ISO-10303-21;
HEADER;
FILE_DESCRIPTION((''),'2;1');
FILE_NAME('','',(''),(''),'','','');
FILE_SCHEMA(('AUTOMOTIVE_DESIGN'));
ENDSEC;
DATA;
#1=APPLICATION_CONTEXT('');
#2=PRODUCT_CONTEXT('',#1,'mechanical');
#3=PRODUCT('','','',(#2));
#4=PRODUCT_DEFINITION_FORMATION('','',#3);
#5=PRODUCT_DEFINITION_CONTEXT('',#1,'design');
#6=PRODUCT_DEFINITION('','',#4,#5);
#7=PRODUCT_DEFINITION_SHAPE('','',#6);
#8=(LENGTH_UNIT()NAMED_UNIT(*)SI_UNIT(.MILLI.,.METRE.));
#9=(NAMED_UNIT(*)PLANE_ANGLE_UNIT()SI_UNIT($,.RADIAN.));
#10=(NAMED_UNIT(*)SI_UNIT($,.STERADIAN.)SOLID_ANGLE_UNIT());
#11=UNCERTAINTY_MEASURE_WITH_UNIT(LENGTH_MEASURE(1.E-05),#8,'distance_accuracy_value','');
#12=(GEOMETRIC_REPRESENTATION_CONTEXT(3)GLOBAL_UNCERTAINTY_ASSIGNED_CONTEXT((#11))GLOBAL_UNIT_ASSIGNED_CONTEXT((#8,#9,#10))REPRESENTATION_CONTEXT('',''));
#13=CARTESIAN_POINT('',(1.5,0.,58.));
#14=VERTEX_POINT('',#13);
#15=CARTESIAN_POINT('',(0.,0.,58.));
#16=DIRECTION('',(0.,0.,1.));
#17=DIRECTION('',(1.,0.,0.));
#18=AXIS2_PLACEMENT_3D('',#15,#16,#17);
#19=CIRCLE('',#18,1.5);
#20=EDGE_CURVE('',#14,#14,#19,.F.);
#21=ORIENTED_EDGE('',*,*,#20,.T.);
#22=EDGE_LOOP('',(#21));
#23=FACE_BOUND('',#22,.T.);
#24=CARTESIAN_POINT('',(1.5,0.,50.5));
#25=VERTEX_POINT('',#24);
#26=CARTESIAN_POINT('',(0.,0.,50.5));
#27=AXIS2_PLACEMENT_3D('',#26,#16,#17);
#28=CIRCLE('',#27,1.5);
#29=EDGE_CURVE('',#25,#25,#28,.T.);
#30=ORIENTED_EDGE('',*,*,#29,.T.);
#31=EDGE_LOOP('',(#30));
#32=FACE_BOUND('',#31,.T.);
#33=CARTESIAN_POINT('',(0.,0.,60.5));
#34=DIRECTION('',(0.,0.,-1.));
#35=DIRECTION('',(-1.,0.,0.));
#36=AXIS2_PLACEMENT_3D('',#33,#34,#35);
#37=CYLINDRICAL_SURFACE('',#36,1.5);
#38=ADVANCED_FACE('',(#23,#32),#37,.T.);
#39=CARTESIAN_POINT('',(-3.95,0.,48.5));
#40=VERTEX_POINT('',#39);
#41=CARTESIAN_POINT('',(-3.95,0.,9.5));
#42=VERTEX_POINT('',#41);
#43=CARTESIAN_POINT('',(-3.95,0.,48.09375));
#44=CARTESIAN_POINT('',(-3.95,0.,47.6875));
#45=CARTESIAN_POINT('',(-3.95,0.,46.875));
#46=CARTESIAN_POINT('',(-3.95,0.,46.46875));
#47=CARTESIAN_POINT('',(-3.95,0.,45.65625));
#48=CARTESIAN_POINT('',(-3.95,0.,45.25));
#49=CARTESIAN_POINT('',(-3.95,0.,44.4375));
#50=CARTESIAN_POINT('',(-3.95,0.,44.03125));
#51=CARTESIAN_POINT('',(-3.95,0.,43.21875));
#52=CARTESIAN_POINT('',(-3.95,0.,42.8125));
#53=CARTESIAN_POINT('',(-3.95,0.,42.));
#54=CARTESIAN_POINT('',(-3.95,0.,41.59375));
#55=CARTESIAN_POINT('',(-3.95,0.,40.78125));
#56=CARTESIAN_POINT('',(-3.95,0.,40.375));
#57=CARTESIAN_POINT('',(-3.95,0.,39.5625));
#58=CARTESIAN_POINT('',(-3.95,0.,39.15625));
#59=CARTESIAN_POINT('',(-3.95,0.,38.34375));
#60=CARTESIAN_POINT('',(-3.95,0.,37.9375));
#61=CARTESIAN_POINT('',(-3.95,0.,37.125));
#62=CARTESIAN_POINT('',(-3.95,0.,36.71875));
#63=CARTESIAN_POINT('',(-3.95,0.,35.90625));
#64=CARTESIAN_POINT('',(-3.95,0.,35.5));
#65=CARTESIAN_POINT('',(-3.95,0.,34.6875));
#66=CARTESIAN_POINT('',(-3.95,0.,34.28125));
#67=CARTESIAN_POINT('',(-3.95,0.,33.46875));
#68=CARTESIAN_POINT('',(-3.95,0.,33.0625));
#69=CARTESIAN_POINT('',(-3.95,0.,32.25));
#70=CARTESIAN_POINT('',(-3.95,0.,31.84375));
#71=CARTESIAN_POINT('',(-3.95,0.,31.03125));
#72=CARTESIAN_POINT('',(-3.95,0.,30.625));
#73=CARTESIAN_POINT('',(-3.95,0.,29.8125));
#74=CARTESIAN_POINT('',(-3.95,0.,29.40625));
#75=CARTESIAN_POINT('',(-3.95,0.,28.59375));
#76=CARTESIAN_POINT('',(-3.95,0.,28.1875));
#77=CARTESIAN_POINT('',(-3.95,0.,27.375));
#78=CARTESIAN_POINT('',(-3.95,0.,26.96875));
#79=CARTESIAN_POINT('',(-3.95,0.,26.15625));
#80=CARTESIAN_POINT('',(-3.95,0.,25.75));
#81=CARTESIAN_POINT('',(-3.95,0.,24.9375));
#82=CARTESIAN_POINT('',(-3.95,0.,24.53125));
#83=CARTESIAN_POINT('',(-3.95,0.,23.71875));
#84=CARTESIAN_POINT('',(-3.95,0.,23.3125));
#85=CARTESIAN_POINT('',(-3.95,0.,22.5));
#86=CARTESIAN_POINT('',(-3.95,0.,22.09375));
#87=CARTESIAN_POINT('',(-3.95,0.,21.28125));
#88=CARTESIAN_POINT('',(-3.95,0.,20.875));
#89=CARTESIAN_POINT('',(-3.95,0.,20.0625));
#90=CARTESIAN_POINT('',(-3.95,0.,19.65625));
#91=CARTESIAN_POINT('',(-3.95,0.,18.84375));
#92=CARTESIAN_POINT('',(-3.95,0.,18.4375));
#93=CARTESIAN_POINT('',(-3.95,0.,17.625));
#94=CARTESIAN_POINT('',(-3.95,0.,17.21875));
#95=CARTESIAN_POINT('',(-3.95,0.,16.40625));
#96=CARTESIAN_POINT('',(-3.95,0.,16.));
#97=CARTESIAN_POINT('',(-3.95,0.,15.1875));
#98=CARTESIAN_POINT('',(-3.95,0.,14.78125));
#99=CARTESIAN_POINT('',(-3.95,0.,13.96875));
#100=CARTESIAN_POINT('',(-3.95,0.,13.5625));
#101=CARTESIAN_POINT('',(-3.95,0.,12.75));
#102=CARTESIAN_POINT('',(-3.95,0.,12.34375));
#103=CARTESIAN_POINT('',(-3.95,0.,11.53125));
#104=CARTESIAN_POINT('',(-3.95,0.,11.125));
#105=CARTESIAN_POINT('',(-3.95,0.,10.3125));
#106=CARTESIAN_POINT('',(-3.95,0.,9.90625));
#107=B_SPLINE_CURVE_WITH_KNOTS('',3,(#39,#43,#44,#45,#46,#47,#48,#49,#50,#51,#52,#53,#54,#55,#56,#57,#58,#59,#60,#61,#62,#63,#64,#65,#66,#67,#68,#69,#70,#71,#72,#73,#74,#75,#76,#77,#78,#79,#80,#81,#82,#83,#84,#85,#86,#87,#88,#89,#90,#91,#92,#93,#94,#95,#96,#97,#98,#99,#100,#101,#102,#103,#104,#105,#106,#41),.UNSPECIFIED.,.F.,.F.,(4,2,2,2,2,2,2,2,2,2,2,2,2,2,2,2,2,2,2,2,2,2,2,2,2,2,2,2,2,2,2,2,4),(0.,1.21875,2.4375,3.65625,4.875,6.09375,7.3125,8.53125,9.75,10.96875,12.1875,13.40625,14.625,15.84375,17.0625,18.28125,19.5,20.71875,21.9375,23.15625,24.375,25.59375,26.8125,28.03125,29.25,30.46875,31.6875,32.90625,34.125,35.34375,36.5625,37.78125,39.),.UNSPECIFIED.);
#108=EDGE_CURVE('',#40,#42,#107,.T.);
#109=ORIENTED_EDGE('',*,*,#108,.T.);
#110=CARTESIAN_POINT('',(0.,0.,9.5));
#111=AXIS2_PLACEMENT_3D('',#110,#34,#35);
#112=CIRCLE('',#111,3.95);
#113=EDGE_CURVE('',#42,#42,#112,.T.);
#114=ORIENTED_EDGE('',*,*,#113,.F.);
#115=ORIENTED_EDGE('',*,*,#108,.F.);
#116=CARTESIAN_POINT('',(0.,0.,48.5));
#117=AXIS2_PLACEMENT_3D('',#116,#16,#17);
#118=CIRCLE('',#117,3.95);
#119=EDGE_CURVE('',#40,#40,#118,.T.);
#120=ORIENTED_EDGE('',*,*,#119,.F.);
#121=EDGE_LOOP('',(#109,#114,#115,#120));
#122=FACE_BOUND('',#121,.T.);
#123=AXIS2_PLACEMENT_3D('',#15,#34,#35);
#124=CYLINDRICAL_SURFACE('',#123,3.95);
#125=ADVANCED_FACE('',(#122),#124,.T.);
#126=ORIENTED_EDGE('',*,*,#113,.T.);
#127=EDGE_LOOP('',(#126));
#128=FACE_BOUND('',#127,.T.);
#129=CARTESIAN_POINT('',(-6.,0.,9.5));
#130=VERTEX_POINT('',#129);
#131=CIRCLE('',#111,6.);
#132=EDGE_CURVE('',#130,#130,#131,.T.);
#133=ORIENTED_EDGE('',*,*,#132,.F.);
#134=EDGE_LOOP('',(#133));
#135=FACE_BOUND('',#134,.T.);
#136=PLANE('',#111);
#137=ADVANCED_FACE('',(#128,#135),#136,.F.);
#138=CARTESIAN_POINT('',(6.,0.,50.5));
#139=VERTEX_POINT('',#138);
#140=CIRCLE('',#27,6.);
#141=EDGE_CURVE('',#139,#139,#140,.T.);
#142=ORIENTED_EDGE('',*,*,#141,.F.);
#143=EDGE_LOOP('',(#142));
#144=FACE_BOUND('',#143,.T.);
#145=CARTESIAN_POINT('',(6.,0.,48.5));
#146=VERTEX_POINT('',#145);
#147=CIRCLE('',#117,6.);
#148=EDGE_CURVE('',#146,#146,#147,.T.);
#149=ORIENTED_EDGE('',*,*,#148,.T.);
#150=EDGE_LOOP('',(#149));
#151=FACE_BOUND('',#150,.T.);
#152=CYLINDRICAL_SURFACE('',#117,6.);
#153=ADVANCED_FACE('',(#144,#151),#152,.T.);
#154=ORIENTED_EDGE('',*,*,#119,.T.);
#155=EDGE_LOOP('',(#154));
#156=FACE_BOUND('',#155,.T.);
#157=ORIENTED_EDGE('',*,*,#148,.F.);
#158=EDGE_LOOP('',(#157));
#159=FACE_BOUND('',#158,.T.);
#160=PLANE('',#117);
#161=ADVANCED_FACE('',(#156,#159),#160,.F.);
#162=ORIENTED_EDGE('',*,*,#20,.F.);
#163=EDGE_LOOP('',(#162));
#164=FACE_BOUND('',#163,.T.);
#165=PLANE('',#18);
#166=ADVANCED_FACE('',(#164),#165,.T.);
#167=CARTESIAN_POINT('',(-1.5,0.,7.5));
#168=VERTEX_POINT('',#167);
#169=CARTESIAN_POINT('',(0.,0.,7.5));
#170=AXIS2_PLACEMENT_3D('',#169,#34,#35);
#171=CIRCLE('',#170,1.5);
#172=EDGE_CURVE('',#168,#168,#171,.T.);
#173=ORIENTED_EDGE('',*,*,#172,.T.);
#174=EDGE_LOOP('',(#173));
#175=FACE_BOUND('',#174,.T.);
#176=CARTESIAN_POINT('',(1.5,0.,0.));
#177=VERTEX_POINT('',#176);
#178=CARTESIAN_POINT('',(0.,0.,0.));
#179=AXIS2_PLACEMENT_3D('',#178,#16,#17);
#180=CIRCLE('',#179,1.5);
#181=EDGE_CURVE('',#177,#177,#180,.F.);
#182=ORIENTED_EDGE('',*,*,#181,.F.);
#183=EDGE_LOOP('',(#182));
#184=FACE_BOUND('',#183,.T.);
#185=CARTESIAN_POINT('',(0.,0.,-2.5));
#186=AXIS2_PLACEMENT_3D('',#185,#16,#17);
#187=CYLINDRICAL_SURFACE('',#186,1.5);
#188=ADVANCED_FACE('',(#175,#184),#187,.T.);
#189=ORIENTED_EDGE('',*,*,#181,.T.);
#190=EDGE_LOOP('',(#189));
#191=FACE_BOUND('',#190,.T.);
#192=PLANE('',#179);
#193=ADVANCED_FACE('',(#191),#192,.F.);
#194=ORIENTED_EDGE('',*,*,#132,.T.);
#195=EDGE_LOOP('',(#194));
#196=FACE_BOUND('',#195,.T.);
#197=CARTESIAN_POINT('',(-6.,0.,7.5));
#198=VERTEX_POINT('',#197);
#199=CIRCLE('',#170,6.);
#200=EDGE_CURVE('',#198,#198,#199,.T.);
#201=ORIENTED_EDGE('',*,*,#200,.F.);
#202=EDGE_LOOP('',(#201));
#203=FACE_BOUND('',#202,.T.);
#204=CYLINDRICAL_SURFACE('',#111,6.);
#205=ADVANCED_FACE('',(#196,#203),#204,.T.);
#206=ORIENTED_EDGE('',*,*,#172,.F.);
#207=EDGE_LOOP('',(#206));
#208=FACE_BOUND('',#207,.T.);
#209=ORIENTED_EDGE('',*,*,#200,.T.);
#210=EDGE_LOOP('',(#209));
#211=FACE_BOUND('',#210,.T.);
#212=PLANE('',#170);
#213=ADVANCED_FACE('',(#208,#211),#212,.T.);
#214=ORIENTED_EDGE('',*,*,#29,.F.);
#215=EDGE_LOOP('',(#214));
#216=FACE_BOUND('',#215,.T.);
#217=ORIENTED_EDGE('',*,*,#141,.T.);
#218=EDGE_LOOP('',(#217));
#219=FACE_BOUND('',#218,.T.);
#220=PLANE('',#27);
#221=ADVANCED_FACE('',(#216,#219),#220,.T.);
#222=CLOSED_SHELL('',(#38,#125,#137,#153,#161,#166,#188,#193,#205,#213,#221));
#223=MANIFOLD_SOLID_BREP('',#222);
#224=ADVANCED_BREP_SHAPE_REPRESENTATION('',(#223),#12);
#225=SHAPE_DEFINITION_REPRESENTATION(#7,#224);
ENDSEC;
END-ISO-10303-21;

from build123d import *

# Parameters (mm, degrees)
SKETCH1_R           = 3.95
BOSS_EXTRUDE1_DEPTH = 58
SKETCH2_R           = 6
BOSS_EXTRUDE2_DEPTH = 2
BOSS_EXTRUDE3_START = -2
SKETCH3_R           = 6
BOSS_EXTRUDE3_DEPTH = 2
SKETCH4_R           = 4.307153401
SKETCH4_R_2         = 1.5
CUT_EXTRUDE1_DEPTH  = 10
CUT_EXTRUDE2_START  = 10
SKETCH5_R           = 5.180652983
SKETCH5_R_2         = 1.5
CUT_EXTRUDE2_DEPTH  = 10


with BuildPart() as part:
    # Sketch1 → Boss-Extrude1 (new body)
    with BuildSketch(Plane.XY):
        with Locations(Location((0, 0, 0), (0, 0, 180))):
            Circle(SKETCH1_R)
    extrude(amount=BOSS_EXTRUDE1_DEPTH)

    # Sketch2 → Boss-Extrude2 (add)
    with BuildSketch(Plane.XY.offset(50.5)):
        Circle(SKETCH2_R)
    extrude(amount=-BOSS_EXTRUDE2_DEPTH)

    # Sketch3 → Boss-Extrude3 (add)
    with BuildSketch(Plane(origin=(0, 0, 7.5), x_dir=(-1, 0, 0), z_dir=(0, 0, -1)).offset(BOSS_EXTRUDE3_START)):
        with Locations(Location((0, 0, 0), (0, 0, 180))):
            Circle(SKETCH3_R)
    extrude(amount=BOSS_EXTRUDE3_DEPTH)

    # Sketch4 → Cut-Extrude1 (cut)
    with BuildSketch(Plane.XY.offset(50.5)):
        Circle(SKETCH4_R)
        Circle(SKETCH4_R_2, mode=Mode.SUBTRACT)
    extrude(amount=CUT_EXTRUDE1_DEPTH, mode=Mode.SUBTRACT)

    # Sketch5 → Cut-Extrude2 (cut)
    with BuildSketch(Plane(origin=(0, 0, 7.5), x_dir=(-1, 0, 0), z_dir=(0, 0, -1)).offset(CUT_EXTRUDE2_START)):
        Circle(SKETCH5_R)
        with Locations(Location((0, 0, 0), (0, 0, 180))):
            Circle(SKETCH5_R_2, mode=Mode.SUBTRACT)
    extrude(amount=-CUT_EXTRUDE2_DEPTH, mode=Mode.SUBTRACT)


solid = part.part
